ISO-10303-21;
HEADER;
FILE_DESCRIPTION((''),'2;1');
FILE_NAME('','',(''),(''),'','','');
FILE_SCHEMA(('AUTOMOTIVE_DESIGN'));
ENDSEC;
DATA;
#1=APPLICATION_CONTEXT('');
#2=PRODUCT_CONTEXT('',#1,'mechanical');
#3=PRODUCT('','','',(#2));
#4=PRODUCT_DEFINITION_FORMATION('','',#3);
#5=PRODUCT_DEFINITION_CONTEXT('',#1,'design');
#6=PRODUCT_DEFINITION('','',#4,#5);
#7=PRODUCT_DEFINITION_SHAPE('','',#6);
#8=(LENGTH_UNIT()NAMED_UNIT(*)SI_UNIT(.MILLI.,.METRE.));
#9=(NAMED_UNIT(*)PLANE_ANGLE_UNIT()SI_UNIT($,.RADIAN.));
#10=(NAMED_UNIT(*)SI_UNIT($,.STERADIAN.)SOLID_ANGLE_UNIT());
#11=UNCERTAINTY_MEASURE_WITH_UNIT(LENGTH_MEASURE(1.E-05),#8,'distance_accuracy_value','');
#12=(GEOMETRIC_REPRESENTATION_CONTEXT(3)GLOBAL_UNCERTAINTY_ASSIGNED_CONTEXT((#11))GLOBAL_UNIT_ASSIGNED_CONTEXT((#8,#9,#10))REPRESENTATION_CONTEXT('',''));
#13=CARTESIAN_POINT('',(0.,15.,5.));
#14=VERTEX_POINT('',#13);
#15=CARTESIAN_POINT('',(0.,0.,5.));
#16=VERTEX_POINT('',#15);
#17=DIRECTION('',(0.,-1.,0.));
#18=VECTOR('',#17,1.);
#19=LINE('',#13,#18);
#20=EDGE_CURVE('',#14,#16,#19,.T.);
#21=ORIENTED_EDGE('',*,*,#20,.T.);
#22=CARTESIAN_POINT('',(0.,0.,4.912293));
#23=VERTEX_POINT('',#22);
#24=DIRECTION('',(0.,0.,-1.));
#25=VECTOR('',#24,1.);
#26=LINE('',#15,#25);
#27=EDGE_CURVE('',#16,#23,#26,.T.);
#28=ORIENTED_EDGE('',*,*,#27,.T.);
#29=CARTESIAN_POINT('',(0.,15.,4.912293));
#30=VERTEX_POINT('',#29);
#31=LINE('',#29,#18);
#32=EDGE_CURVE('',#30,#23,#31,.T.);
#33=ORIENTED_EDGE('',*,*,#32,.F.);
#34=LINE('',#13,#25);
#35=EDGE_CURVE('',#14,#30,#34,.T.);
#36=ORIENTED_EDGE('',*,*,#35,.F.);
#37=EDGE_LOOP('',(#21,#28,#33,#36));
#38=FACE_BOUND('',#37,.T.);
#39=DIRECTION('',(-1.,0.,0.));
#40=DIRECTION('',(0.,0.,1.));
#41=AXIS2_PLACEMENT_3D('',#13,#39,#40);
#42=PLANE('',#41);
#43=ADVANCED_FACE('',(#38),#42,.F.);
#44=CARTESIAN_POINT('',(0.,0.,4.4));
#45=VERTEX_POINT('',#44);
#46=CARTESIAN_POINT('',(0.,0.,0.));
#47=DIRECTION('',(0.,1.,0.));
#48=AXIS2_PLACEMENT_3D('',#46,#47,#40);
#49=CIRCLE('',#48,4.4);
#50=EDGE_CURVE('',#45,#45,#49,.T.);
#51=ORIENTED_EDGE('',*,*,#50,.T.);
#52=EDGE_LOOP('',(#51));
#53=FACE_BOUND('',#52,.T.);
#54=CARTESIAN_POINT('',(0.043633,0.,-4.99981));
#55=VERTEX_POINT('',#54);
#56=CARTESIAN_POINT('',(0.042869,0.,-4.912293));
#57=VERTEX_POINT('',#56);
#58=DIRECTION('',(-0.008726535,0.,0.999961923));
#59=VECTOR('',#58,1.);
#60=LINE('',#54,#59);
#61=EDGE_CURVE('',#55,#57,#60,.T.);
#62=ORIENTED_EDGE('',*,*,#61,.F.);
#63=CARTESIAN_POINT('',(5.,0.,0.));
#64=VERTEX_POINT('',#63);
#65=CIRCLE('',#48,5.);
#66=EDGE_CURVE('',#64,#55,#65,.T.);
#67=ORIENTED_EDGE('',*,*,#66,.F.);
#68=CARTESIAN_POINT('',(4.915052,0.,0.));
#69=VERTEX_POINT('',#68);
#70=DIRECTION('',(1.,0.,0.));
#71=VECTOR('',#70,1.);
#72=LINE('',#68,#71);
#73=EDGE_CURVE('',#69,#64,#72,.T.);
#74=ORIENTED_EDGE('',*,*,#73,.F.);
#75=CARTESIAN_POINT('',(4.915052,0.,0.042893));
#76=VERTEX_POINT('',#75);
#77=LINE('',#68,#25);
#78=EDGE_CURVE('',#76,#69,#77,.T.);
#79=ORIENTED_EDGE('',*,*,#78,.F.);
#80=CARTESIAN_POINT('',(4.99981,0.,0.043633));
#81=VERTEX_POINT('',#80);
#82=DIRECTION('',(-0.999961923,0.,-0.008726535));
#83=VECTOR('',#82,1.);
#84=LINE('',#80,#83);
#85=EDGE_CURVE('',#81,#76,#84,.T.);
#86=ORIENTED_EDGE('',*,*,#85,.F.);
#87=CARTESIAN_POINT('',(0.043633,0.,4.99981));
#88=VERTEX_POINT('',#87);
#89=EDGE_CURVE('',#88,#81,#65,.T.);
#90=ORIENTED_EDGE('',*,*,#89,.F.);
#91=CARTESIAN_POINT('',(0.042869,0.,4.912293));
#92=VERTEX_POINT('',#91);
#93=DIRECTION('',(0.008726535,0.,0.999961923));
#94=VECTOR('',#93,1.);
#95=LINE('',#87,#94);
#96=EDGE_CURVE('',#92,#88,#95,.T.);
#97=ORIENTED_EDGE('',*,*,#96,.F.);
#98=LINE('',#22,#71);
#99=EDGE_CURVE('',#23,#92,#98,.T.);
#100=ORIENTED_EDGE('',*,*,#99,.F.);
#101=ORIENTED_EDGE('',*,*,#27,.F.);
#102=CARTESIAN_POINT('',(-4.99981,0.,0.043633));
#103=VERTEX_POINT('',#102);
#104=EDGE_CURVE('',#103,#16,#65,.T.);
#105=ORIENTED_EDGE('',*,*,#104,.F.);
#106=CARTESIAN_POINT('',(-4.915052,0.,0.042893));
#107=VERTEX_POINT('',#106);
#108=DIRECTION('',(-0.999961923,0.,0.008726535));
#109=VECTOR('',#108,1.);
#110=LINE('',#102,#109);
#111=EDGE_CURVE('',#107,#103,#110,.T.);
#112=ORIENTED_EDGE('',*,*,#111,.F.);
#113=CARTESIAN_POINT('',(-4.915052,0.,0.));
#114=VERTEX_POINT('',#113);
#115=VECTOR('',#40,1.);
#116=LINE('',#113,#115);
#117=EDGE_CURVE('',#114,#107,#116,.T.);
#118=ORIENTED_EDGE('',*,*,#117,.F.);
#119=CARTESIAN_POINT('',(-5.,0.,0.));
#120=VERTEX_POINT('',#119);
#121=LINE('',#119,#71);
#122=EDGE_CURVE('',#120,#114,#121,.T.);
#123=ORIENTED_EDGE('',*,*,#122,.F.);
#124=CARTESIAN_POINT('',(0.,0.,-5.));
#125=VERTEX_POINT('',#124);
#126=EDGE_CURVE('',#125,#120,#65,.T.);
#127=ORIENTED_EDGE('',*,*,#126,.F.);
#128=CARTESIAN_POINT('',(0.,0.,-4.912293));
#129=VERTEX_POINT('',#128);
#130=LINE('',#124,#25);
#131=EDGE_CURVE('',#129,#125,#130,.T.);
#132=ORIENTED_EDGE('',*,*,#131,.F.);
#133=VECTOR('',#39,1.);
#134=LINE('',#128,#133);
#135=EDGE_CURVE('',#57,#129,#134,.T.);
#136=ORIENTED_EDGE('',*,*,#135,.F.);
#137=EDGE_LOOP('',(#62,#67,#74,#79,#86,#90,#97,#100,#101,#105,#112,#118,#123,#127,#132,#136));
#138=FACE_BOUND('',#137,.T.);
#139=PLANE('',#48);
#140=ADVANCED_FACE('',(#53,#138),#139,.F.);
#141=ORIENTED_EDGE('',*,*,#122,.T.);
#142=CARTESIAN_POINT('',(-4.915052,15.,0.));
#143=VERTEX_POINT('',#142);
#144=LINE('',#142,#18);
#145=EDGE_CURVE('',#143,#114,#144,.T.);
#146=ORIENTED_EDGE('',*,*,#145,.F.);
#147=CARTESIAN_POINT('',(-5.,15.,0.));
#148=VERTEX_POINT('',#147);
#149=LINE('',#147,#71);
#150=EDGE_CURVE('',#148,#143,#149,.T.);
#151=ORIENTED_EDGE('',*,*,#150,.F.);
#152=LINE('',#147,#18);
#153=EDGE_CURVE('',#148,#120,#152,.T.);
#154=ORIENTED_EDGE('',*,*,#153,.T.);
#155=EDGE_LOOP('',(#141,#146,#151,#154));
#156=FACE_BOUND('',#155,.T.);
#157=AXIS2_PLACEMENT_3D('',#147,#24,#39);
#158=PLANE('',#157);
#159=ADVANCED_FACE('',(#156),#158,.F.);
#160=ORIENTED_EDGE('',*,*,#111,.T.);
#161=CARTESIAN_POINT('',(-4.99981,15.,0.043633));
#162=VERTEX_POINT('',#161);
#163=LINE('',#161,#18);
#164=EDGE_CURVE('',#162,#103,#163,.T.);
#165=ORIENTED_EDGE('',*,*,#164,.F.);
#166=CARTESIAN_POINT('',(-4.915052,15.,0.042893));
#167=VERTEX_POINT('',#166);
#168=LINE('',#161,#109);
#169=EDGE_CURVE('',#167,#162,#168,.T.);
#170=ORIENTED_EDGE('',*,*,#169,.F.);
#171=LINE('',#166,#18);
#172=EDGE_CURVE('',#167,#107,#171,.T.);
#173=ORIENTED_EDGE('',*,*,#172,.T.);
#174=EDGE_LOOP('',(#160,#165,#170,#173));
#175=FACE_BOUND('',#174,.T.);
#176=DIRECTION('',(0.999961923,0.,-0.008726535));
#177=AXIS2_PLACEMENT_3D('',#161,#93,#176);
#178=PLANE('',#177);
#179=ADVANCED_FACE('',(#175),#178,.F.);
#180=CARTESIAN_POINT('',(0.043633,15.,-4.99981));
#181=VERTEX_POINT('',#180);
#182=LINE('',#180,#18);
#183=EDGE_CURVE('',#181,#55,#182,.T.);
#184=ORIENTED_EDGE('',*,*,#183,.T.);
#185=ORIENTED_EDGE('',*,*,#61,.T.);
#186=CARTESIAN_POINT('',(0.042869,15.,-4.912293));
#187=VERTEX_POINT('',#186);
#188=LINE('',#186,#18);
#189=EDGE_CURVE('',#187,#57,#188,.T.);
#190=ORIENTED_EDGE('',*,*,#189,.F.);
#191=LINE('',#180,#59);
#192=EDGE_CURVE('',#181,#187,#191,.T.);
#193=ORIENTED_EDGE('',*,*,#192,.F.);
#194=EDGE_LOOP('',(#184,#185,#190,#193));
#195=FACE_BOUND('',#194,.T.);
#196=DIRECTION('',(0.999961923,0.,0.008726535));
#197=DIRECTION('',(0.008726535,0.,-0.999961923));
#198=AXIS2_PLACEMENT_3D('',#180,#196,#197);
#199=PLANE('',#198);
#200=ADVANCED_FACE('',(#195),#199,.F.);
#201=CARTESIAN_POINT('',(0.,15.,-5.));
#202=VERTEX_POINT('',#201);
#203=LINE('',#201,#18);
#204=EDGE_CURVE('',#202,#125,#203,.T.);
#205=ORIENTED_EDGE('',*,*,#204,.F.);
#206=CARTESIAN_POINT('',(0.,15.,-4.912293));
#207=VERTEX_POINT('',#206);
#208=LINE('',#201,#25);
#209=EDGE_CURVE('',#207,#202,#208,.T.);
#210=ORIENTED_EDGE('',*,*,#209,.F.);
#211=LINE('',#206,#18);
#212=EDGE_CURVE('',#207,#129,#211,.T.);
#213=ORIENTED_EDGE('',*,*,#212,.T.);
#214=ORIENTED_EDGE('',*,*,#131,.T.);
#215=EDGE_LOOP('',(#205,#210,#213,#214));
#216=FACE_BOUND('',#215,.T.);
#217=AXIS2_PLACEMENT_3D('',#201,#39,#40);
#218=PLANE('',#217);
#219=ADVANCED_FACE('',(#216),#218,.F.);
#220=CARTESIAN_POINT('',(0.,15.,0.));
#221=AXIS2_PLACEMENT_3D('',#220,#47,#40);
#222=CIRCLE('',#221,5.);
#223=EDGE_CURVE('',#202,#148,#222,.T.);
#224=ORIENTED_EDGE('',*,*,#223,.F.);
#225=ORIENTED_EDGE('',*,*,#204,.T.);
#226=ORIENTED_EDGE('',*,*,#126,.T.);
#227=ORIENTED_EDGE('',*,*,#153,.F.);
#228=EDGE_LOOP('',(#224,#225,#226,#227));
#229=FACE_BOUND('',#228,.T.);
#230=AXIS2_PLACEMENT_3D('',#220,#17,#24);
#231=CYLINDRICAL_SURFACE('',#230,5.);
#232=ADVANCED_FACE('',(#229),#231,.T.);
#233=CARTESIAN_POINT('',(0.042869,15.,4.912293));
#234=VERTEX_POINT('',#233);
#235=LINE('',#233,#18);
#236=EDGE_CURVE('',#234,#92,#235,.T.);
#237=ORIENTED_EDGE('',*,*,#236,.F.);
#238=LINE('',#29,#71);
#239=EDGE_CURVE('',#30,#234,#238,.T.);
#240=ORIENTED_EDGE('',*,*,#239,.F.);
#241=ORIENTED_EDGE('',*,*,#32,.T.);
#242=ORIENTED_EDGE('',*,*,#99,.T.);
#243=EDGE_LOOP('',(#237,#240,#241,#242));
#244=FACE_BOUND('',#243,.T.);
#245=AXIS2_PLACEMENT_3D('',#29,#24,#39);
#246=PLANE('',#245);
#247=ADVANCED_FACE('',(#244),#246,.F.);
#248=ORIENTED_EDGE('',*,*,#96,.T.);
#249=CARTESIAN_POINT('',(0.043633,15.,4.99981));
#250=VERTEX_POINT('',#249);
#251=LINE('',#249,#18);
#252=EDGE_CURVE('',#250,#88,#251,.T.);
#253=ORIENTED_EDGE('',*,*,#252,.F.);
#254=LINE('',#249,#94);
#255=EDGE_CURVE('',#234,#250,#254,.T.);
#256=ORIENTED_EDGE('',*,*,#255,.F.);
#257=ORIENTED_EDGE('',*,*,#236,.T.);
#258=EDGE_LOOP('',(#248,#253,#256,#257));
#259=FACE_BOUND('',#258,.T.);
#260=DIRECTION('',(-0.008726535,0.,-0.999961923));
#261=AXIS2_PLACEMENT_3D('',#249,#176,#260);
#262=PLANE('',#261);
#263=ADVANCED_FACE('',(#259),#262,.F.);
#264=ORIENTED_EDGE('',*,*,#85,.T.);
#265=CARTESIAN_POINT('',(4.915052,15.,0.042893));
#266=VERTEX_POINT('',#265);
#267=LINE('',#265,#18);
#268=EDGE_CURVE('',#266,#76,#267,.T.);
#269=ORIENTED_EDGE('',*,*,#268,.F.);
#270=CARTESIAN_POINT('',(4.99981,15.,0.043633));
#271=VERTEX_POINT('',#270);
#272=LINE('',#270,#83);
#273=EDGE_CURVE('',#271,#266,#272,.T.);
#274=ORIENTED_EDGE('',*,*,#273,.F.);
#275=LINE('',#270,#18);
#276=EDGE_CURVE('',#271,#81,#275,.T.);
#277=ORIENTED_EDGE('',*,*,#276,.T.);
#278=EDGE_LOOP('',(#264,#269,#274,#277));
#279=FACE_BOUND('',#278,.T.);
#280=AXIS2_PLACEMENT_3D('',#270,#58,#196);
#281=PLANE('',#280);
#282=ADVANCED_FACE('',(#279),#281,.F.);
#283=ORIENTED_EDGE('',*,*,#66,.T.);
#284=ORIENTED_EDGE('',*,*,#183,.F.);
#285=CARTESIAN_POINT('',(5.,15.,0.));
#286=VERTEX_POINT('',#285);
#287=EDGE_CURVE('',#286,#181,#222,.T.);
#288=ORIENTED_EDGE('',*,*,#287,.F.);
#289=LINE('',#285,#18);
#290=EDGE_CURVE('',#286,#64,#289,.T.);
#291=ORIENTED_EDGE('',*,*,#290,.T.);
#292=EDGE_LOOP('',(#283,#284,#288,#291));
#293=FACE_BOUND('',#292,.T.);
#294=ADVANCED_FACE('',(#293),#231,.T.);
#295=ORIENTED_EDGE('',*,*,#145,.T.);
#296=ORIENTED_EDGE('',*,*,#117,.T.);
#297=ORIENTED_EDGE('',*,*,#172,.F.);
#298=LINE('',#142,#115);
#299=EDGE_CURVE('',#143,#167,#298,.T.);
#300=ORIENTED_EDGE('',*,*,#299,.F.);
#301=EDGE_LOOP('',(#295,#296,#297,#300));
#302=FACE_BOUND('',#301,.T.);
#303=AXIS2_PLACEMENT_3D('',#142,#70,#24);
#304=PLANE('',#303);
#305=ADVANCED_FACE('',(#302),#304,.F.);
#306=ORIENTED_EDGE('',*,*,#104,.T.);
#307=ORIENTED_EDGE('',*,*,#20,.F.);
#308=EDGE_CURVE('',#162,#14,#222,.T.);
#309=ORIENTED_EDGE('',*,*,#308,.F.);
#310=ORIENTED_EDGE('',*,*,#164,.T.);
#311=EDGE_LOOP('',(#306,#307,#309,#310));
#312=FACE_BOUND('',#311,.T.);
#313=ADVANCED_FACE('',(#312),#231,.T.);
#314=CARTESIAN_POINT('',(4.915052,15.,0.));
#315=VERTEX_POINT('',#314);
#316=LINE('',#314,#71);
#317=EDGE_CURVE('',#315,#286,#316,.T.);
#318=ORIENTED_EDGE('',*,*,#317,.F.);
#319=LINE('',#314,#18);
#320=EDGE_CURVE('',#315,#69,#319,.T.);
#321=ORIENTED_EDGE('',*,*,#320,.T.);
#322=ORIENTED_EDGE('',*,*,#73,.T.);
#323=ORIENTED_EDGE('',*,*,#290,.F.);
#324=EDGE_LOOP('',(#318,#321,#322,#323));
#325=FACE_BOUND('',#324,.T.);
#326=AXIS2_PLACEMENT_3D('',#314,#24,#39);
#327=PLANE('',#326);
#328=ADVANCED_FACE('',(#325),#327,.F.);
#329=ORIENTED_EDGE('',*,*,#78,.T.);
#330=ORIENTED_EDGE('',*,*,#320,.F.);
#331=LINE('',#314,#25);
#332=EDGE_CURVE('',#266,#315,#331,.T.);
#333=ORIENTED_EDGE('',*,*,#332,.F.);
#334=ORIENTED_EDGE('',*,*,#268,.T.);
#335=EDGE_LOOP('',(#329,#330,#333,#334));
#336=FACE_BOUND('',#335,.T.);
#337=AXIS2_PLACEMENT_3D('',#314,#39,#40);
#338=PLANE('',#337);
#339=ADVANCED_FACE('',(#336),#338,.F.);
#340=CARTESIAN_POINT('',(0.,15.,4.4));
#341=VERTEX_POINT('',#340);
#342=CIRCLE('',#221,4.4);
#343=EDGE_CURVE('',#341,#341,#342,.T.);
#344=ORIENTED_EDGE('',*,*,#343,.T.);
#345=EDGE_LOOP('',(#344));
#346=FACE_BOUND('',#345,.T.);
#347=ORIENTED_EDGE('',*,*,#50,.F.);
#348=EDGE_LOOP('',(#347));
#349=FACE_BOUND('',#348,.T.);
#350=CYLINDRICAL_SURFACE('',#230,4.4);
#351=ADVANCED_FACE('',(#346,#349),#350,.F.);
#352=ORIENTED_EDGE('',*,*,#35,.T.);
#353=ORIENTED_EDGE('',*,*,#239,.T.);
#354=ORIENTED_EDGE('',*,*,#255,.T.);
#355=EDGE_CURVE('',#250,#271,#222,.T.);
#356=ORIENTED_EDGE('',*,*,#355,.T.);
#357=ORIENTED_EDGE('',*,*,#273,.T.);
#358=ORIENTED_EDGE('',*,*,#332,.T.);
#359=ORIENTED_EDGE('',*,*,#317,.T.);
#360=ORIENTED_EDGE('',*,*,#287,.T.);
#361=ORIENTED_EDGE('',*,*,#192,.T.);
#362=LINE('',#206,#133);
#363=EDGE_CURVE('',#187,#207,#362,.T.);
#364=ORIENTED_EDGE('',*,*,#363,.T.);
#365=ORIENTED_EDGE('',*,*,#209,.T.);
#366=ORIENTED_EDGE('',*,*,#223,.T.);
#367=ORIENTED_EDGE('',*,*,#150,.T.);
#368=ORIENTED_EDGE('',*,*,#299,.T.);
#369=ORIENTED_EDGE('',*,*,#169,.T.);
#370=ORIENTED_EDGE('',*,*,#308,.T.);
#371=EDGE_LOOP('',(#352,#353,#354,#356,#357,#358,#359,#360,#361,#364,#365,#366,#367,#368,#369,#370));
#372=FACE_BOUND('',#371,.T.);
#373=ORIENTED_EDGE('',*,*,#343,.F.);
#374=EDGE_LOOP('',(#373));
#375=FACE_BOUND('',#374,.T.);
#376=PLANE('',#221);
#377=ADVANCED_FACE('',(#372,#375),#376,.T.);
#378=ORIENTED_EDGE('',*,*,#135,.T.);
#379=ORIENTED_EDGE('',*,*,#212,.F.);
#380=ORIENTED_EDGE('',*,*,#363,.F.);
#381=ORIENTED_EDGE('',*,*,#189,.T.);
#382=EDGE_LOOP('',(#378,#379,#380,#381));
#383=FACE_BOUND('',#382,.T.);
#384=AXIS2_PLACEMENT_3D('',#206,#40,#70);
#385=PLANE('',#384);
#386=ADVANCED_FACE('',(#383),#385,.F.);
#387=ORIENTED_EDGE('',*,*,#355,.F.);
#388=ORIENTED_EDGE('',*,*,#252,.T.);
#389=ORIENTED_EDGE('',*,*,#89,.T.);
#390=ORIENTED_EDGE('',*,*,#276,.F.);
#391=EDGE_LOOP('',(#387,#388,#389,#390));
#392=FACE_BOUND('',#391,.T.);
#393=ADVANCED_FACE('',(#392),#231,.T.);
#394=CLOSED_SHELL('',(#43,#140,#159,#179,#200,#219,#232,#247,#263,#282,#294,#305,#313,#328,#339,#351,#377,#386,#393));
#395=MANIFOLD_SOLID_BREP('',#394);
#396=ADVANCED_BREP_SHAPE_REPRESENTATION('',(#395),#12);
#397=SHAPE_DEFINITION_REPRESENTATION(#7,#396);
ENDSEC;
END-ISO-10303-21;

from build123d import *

# Parameters (mm, degrees)
SKETCH1_R           = 4.4
BOSS_EXTRUDE1_DEPTH = 15


with BuildPart() as part:
    # Sketch1 → Boss-Extrude1 (new body)
    with BuildSketch(Plane(origin=(0, 0, 0), x_dir=(1, 0, 0), z_dir=(0, 1, 0))):
        with BuildLine():
            Line((0, 5), (0, 4.912292599))
            Line((0, 4.912292599), (0.042868928, 4.912292599))
            Line((0.042868928, 4.912292599), (0.043632677, 4.999809615))
            ThreePointArc((0.043632677, 4.999809615), (3.550926878, 3.520073622), (5, 0))
            Line((5, 0), (4.915051898, 0))
            Line((4.915051898, 0), (4.915051898, -0.042893008))
            Line((4.915051898, -0.042893008), (4.999809615, -0.043632677))
            ThreePointArc((4.999809615, -0.043632677), (3.535533906, -3.535533906), (0.043632677, -4.999809615))
            Line((0.043632677, -4.999809615), (0.042868928, -4.912292599))
            Line((0.042868928, -4.912292599), (0, -4.912292599))
            Line((0, -4.912292599), (0, -5))
            ThreePointArc((0, -5), (-3.520073622, -3.550926878), (-4.999809615, -0.043632677))
            Line((-4.999809615, -0.043632677), (-4.915051898, -0.042893008))
            Line((-4.915051898, -0.042893008), (-4.915051898, 0))
            Line((-4.915051898, 0), (-5, 0))
            ThreePointArc((-5, 0), (-3.535533906, 3.535533906), (0, 5))
        make_face()
        with Locations(Location((0, 0, 0), (0, 0, 270))):
            Circle(SKETCH1_R, mode=Mode.SUBTRACT)
    extrude(amount=BOSS_EXTRUDE1_DEPTH)


solid = part.part
